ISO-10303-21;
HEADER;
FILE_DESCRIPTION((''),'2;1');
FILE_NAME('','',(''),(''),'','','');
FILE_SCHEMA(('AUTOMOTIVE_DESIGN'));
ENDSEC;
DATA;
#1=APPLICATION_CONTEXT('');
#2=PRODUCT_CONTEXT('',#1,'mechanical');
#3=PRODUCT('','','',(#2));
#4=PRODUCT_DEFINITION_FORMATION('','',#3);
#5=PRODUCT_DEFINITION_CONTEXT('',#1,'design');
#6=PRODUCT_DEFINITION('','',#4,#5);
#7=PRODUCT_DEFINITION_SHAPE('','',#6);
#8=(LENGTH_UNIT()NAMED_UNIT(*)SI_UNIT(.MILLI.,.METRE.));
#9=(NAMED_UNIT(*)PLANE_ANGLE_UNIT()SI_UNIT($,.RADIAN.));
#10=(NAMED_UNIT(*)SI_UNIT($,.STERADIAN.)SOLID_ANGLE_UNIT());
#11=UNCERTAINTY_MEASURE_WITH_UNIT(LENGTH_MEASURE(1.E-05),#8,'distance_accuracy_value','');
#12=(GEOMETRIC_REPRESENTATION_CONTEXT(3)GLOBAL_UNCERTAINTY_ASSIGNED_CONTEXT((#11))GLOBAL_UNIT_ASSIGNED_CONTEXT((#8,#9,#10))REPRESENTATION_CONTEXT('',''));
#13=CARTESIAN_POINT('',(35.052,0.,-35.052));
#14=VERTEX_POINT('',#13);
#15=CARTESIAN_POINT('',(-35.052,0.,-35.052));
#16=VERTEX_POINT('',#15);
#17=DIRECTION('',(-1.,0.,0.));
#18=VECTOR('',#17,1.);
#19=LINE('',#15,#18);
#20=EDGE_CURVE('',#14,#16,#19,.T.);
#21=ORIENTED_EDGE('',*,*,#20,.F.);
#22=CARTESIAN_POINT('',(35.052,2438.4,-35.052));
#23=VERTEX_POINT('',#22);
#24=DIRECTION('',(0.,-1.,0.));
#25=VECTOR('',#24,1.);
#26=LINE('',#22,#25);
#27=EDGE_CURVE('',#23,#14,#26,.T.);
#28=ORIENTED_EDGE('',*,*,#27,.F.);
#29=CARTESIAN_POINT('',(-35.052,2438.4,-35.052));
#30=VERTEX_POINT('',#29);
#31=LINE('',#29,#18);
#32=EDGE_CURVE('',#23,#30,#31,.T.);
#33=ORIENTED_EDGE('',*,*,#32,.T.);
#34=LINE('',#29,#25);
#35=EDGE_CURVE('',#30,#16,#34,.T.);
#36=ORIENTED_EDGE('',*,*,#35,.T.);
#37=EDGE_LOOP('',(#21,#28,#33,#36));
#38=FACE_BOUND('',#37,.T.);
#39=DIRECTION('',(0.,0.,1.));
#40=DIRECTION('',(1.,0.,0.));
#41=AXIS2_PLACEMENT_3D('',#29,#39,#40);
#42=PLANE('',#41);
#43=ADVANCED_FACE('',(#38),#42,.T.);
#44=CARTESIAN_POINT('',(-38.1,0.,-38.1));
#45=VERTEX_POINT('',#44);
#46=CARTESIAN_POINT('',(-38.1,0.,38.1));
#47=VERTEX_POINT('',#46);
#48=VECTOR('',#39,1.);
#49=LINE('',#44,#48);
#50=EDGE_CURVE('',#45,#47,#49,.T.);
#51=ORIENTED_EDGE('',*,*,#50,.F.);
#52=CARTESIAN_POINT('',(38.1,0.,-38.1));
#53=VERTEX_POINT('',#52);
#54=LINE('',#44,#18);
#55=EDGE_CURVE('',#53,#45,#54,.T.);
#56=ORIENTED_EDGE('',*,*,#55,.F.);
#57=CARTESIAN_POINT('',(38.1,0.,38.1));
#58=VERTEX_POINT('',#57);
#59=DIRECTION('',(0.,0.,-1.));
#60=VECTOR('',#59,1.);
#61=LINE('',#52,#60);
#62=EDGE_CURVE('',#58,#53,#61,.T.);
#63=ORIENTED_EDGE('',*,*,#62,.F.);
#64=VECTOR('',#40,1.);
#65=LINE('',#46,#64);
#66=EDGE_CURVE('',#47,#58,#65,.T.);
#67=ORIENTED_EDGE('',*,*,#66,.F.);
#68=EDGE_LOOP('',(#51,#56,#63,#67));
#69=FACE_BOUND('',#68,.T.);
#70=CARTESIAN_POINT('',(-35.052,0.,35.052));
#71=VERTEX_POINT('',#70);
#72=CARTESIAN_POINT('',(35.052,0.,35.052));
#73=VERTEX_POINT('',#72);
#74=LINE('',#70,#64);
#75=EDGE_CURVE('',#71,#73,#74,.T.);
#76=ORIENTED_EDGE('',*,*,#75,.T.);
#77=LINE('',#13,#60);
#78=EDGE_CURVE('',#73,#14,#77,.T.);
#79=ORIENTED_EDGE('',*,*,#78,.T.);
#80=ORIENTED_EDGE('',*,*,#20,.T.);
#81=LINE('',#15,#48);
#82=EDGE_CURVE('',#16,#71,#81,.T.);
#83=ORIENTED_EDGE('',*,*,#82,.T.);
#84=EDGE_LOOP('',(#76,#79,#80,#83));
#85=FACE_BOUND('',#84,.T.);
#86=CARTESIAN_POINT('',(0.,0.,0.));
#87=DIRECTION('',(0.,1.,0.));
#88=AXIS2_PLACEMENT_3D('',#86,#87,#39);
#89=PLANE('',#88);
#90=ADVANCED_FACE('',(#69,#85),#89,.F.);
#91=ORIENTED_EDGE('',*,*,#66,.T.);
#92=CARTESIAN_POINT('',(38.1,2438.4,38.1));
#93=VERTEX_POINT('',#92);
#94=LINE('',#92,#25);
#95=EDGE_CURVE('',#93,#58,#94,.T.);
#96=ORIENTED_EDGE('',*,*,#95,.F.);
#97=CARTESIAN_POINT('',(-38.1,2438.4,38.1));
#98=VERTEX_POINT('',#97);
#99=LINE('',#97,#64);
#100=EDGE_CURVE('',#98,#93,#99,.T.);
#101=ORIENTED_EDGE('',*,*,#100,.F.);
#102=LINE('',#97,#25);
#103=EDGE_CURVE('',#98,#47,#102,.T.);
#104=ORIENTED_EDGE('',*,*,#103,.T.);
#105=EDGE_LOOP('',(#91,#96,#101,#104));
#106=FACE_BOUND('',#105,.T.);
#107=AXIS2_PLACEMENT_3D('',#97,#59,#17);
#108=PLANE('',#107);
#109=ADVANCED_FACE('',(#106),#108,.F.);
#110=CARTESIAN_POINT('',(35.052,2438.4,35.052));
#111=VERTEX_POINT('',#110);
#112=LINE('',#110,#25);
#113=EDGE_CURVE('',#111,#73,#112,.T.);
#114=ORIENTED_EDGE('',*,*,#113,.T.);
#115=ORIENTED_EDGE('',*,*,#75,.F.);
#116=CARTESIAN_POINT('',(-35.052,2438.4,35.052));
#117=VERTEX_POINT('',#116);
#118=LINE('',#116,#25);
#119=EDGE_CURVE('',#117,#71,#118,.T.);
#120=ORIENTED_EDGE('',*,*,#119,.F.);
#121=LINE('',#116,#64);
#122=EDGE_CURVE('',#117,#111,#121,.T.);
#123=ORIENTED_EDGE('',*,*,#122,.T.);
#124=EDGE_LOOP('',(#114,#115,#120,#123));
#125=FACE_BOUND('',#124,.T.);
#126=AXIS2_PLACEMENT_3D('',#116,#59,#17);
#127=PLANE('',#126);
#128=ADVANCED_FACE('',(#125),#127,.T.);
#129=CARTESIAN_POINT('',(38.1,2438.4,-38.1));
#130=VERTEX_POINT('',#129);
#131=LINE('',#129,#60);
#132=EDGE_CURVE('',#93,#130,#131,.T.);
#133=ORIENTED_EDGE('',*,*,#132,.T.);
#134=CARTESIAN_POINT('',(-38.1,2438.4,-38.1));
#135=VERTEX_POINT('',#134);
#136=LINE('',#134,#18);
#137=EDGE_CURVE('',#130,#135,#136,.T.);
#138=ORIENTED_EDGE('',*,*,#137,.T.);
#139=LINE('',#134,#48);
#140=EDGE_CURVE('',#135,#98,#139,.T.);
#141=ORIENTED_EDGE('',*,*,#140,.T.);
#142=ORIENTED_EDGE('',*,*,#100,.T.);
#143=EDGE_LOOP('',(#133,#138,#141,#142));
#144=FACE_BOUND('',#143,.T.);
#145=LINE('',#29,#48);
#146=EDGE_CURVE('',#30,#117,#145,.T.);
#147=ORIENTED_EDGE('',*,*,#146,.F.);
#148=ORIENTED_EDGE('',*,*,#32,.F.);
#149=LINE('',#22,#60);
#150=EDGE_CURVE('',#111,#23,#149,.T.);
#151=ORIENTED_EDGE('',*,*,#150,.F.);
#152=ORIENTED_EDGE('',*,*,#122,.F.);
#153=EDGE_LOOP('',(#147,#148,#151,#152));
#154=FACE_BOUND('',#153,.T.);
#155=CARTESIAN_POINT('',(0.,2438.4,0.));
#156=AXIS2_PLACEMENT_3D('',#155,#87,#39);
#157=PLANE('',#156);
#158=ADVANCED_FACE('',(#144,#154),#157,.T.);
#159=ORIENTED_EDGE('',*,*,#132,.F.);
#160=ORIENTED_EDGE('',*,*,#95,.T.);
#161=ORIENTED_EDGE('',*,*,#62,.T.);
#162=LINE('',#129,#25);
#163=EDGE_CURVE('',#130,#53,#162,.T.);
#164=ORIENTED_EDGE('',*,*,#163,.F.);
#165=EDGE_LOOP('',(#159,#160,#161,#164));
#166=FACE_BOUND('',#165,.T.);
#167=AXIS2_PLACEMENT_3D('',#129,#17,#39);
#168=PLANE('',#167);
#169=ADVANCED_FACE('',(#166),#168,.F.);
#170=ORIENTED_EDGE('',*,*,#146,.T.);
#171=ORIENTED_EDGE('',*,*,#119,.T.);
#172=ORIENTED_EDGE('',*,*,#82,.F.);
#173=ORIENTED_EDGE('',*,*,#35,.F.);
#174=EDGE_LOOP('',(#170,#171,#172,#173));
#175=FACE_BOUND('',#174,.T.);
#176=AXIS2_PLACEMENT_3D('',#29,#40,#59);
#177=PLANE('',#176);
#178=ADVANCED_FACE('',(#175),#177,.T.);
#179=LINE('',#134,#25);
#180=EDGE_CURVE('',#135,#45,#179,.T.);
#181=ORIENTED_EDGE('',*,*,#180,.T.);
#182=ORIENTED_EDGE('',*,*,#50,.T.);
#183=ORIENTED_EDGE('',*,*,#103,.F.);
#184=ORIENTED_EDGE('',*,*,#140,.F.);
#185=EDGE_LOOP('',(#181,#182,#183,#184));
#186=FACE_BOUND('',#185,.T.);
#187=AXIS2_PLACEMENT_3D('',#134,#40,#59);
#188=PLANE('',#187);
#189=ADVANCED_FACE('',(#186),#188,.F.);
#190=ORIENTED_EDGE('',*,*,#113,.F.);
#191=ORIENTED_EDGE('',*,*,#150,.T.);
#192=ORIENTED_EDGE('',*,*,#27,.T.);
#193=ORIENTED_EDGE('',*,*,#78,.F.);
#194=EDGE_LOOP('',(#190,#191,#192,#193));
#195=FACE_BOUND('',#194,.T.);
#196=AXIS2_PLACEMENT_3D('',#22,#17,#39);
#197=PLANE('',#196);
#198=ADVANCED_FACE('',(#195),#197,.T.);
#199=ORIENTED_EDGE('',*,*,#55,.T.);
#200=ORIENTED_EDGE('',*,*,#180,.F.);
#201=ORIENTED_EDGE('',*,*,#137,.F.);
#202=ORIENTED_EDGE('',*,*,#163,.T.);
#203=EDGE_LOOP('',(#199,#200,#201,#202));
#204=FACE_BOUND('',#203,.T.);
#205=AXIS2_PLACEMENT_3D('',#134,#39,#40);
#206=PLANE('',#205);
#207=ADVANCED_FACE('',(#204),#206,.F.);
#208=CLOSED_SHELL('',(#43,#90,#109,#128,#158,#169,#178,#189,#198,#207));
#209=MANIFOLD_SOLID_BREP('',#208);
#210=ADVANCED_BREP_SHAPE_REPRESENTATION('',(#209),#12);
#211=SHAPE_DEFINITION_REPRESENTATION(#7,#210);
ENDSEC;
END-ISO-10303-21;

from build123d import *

# Parameters (mm, degrees)
SKETCH1_W           = 76.2
SKETCH1_H           = 76.2
SKETCH1_W_2         = 70.104
SKETCH1_H_2         = 70.104
BOSS_EXTRUDE1_DEPTH = 2438.4


with BuildPart() as part:
    # Sketch1 → Boss-Extrude1 (new body)
    with BuildSketch(Plane(origin=(0, 0, 0), x_dir=(1, 0, 0), z_dir=(0, 1, 0))):
        Rectangle(SKETCH1_W, SKETCH1_H)
        Rectangle(SKETCH1_W_2, SKETCH1_H_2, mode=Mode.SUBTRACT)
    extrude(amount=BOSS_EXTRUDE1_DEPTH)


solid = part.part
